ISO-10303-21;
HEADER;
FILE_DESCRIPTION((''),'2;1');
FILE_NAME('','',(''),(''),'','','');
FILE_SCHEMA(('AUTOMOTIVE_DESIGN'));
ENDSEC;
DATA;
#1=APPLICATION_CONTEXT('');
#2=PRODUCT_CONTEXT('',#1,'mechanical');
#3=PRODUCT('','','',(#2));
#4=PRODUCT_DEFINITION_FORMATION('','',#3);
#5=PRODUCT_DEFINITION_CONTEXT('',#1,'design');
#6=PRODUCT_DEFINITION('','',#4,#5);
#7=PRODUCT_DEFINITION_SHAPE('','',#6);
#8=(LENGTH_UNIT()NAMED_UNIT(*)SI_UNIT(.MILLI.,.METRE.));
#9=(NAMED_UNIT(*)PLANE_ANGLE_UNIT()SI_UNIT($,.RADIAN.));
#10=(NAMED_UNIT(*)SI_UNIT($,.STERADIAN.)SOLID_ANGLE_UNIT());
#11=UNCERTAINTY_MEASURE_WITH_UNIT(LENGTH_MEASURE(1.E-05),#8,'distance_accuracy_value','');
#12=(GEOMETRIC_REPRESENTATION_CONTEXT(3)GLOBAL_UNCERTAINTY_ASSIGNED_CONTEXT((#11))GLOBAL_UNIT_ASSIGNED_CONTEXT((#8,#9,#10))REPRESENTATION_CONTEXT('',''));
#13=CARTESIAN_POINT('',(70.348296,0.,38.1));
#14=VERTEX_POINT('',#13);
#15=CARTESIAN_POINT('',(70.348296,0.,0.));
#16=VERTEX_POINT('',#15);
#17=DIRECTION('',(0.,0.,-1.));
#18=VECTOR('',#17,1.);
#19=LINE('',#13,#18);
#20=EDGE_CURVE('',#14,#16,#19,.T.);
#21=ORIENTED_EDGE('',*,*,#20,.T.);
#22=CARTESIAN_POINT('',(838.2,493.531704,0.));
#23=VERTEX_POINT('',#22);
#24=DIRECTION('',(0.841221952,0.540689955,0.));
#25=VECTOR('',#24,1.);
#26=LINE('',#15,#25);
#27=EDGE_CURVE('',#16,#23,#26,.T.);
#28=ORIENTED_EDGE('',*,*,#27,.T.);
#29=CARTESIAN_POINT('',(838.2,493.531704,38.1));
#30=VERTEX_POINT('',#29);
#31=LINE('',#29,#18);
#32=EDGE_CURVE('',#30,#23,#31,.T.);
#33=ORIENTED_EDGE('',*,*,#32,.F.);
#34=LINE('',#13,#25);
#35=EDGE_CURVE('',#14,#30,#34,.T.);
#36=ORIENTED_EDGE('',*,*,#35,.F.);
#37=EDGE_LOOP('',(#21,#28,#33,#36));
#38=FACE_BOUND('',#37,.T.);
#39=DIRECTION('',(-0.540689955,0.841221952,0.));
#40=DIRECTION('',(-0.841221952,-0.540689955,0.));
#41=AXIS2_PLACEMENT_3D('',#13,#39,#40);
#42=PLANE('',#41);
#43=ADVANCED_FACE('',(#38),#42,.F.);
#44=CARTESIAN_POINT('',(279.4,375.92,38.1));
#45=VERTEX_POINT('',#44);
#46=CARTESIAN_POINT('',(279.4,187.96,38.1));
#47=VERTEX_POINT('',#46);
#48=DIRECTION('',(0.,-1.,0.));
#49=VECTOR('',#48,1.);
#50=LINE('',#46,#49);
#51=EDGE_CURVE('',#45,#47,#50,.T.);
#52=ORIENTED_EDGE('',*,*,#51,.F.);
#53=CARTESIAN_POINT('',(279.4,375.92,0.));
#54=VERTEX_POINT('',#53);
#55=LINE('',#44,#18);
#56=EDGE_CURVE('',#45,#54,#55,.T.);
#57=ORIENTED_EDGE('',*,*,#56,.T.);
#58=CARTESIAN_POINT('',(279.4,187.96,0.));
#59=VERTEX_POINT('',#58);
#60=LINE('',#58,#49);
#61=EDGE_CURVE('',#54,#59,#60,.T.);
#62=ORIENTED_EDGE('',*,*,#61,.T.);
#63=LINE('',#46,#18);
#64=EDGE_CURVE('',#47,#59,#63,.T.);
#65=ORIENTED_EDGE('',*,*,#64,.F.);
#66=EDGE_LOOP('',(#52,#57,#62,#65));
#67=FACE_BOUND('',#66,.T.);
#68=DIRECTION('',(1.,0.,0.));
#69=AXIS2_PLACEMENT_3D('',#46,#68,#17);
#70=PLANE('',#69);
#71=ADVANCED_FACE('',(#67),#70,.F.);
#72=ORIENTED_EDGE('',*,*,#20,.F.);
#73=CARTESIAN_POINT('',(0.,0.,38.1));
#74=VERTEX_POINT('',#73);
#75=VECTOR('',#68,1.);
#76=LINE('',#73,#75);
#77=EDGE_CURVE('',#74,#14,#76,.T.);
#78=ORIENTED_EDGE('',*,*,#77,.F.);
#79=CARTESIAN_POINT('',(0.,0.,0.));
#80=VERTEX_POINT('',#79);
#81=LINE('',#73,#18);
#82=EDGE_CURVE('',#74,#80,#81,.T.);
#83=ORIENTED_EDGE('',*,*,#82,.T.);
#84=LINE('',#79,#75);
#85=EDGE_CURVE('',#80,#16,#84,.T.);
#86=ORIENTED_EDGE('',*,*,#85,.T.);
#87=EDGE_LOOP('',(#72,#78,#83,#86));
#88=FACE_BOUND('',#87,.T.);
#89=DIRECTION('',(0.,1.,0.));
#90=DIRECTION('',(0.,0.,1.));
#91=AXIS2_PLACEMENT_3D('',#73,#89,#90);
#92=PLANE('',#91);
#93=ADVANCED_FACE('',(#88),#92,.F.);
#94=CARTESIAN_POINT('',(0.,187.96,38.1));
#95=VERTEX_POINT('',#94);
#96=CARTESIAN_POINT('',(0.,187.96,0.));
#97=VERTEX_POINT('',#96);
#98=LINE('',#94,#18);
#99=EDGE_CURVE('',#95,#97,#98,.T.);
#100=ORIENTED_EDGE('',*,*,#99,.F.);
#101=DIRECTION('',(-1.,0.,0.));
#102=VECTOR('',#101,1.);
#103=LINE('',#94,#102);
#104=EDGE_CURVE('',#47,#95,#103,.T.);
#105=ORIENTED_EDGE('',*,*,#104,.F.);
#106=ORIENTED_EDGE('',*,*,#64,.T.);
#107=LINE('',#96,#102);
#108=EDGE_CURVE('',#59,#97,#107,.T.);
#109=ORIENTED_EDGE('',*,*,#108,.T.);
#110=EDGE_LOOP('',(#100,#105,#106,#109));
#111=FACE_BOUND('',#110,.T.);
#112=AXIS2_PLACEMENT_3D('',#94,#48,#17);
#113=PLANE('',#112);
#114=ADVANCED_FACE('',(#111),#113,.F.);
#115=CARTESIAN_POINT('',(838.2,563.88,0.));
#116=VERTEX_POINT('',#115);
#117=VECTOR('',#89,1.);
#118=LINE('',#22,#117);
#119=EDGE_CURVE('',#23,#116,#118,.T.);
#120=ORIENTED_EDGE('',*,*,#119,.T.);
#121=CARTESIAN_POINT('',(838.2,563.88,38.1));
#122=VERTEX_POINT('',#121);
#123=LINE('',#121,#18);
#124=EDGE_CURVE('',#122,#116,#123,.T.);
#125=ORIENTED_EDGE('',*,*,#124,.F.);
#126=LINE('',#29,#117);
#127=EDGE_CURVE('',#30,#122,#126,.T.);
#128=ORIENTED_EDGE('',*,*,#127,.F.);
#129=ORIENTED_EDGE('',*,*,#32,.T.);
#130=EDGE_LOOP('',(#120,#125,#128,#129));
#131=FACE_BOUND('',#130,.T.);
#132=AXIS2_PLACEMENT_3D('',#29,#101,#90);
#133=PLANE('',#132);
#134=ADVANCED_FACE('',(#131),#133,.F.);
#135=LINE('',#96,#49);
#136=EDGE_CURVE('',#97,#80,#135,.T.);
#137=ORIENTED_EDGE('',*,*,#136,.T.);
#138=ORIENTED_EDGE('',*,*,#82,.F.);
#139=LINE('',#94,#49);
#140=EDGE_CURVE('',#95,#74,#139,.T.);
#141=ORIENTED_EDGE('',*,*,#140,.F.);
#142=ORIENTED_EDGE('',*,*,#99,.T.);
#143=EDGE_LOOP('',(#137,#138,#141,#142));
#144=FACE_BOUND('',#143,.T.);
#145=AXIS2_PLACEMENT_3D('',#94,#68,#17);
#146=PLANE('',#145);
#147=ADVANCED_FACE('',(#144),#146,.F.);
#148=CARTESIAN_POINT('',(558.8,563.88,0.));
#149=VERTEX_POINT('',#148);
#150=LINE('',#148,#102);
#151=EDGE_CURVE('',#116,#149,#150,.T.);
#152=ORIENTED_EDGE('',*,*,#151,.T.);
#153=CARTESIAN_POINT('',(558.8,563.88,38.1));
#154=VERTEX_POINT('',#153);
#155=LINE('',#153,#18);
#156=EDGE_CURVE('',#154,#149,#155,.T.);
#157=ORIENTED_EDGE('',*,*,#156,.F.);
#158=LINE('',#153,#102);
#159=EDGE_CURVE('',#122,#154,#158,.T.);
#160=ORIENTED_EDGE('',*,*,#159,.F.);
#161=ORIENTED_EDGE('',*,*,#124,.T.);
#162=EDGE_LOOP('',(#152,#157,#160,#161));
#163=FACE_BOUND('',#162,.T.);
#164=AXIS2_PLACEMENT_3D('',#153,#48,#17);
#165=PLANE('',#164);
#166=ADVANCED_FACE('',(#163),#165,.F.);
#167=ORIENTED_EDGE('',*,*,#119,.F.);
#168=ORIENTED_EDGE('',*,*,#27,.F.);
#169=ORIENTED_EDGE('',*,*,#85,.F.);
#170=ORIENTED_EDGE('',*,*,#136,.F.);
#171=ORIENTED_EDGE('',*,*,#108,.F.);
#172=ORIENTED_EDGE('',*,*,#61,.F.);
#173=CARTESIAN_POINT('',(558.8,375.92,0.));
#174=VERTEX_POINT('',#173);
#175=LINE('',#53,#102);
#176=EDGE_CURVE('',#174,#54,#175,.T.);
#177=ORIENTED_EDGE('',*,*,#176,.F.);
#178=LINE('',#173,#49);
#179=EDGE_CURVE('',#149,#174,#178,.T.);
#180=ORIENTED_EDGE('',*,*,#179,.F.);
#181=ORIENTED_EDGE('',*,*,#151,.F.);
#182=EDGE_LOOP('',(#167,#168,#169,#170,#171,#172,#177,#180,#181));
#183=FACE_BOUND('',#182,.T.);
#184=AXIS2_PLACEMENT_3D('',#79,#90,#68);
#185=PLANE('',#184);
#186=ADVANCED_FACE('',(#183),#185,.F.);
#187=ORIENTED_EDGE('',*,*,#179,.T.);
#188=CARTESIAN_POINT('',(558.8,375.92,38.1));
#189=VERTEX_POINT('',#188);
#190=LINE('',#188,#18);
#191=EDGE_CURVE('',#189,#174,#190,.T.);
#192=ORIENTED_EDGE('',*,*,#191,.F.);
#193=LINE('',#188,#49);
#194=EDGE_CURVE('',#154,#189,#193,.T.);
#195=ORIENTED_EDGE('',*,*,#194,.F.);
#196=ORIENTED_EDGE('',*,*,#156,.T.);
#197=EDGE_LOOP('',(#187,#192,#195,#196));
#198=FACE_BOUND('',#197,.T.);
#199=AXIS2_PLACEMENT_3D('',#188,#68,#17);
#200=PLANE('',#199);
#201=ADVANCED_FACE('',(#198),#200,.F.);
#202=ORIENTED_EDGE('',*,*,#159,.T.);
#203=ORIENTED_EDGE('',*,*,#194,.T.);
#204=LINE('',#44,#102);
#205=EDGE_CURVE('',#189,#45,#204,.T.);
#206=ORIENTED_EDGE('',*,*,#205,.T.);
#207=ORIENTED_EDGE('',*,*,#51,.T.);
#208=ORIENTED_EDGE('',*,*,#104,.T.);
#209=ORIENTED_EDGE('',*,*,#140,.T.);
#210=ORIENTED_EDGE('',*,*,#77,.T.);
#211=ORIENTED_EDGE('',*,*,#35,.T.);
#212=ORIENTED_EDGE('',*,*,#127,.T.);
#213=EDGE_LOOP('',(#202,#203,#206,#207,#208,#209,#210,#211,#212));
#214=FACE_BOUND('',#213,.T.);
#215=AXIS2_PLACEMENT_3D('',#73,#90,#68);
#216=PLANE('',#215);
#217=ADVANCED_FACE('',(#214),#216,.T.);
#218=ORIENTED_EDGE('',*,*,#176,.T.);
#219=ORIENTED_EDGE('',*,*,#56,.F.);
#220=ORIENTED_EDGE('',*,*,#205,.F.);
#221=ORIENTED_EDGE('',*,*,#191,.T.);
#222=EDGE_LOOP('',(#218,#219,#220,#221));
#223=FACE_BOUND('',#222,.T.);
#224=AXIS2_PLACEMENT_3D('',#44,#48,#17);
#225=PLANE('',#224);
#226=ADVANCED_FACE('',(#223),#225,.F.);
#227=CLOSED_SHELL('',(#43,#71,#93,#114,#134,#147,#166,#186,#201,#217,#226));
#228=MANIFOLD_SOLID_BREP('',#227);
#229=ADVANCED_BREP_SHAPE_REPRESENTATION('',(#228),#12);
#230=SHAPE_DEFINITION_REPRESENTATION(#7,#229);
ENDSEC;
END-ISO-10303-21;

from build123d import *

# Parameters (mm, degrees)
BOSS_EXTRUDE1_DEPTH = 38.1


with BuildPart() as part:
    # Sketch1 → Boss-Extrude1 (new body)
    with BuildSketch(Plane.XY):
        Polygon((0, 187.96), (0, 0), (70.348296425, 0), (838.2, 493.531703575), (838.2, 563.88), (558.8, 563.88), (558.8, 375.92), (279.4, 375.92), (279.4, 187.96), align=None)
    extrude(amount=BOSS_EXTRUDE1_DEPTH)


solid = part.part
